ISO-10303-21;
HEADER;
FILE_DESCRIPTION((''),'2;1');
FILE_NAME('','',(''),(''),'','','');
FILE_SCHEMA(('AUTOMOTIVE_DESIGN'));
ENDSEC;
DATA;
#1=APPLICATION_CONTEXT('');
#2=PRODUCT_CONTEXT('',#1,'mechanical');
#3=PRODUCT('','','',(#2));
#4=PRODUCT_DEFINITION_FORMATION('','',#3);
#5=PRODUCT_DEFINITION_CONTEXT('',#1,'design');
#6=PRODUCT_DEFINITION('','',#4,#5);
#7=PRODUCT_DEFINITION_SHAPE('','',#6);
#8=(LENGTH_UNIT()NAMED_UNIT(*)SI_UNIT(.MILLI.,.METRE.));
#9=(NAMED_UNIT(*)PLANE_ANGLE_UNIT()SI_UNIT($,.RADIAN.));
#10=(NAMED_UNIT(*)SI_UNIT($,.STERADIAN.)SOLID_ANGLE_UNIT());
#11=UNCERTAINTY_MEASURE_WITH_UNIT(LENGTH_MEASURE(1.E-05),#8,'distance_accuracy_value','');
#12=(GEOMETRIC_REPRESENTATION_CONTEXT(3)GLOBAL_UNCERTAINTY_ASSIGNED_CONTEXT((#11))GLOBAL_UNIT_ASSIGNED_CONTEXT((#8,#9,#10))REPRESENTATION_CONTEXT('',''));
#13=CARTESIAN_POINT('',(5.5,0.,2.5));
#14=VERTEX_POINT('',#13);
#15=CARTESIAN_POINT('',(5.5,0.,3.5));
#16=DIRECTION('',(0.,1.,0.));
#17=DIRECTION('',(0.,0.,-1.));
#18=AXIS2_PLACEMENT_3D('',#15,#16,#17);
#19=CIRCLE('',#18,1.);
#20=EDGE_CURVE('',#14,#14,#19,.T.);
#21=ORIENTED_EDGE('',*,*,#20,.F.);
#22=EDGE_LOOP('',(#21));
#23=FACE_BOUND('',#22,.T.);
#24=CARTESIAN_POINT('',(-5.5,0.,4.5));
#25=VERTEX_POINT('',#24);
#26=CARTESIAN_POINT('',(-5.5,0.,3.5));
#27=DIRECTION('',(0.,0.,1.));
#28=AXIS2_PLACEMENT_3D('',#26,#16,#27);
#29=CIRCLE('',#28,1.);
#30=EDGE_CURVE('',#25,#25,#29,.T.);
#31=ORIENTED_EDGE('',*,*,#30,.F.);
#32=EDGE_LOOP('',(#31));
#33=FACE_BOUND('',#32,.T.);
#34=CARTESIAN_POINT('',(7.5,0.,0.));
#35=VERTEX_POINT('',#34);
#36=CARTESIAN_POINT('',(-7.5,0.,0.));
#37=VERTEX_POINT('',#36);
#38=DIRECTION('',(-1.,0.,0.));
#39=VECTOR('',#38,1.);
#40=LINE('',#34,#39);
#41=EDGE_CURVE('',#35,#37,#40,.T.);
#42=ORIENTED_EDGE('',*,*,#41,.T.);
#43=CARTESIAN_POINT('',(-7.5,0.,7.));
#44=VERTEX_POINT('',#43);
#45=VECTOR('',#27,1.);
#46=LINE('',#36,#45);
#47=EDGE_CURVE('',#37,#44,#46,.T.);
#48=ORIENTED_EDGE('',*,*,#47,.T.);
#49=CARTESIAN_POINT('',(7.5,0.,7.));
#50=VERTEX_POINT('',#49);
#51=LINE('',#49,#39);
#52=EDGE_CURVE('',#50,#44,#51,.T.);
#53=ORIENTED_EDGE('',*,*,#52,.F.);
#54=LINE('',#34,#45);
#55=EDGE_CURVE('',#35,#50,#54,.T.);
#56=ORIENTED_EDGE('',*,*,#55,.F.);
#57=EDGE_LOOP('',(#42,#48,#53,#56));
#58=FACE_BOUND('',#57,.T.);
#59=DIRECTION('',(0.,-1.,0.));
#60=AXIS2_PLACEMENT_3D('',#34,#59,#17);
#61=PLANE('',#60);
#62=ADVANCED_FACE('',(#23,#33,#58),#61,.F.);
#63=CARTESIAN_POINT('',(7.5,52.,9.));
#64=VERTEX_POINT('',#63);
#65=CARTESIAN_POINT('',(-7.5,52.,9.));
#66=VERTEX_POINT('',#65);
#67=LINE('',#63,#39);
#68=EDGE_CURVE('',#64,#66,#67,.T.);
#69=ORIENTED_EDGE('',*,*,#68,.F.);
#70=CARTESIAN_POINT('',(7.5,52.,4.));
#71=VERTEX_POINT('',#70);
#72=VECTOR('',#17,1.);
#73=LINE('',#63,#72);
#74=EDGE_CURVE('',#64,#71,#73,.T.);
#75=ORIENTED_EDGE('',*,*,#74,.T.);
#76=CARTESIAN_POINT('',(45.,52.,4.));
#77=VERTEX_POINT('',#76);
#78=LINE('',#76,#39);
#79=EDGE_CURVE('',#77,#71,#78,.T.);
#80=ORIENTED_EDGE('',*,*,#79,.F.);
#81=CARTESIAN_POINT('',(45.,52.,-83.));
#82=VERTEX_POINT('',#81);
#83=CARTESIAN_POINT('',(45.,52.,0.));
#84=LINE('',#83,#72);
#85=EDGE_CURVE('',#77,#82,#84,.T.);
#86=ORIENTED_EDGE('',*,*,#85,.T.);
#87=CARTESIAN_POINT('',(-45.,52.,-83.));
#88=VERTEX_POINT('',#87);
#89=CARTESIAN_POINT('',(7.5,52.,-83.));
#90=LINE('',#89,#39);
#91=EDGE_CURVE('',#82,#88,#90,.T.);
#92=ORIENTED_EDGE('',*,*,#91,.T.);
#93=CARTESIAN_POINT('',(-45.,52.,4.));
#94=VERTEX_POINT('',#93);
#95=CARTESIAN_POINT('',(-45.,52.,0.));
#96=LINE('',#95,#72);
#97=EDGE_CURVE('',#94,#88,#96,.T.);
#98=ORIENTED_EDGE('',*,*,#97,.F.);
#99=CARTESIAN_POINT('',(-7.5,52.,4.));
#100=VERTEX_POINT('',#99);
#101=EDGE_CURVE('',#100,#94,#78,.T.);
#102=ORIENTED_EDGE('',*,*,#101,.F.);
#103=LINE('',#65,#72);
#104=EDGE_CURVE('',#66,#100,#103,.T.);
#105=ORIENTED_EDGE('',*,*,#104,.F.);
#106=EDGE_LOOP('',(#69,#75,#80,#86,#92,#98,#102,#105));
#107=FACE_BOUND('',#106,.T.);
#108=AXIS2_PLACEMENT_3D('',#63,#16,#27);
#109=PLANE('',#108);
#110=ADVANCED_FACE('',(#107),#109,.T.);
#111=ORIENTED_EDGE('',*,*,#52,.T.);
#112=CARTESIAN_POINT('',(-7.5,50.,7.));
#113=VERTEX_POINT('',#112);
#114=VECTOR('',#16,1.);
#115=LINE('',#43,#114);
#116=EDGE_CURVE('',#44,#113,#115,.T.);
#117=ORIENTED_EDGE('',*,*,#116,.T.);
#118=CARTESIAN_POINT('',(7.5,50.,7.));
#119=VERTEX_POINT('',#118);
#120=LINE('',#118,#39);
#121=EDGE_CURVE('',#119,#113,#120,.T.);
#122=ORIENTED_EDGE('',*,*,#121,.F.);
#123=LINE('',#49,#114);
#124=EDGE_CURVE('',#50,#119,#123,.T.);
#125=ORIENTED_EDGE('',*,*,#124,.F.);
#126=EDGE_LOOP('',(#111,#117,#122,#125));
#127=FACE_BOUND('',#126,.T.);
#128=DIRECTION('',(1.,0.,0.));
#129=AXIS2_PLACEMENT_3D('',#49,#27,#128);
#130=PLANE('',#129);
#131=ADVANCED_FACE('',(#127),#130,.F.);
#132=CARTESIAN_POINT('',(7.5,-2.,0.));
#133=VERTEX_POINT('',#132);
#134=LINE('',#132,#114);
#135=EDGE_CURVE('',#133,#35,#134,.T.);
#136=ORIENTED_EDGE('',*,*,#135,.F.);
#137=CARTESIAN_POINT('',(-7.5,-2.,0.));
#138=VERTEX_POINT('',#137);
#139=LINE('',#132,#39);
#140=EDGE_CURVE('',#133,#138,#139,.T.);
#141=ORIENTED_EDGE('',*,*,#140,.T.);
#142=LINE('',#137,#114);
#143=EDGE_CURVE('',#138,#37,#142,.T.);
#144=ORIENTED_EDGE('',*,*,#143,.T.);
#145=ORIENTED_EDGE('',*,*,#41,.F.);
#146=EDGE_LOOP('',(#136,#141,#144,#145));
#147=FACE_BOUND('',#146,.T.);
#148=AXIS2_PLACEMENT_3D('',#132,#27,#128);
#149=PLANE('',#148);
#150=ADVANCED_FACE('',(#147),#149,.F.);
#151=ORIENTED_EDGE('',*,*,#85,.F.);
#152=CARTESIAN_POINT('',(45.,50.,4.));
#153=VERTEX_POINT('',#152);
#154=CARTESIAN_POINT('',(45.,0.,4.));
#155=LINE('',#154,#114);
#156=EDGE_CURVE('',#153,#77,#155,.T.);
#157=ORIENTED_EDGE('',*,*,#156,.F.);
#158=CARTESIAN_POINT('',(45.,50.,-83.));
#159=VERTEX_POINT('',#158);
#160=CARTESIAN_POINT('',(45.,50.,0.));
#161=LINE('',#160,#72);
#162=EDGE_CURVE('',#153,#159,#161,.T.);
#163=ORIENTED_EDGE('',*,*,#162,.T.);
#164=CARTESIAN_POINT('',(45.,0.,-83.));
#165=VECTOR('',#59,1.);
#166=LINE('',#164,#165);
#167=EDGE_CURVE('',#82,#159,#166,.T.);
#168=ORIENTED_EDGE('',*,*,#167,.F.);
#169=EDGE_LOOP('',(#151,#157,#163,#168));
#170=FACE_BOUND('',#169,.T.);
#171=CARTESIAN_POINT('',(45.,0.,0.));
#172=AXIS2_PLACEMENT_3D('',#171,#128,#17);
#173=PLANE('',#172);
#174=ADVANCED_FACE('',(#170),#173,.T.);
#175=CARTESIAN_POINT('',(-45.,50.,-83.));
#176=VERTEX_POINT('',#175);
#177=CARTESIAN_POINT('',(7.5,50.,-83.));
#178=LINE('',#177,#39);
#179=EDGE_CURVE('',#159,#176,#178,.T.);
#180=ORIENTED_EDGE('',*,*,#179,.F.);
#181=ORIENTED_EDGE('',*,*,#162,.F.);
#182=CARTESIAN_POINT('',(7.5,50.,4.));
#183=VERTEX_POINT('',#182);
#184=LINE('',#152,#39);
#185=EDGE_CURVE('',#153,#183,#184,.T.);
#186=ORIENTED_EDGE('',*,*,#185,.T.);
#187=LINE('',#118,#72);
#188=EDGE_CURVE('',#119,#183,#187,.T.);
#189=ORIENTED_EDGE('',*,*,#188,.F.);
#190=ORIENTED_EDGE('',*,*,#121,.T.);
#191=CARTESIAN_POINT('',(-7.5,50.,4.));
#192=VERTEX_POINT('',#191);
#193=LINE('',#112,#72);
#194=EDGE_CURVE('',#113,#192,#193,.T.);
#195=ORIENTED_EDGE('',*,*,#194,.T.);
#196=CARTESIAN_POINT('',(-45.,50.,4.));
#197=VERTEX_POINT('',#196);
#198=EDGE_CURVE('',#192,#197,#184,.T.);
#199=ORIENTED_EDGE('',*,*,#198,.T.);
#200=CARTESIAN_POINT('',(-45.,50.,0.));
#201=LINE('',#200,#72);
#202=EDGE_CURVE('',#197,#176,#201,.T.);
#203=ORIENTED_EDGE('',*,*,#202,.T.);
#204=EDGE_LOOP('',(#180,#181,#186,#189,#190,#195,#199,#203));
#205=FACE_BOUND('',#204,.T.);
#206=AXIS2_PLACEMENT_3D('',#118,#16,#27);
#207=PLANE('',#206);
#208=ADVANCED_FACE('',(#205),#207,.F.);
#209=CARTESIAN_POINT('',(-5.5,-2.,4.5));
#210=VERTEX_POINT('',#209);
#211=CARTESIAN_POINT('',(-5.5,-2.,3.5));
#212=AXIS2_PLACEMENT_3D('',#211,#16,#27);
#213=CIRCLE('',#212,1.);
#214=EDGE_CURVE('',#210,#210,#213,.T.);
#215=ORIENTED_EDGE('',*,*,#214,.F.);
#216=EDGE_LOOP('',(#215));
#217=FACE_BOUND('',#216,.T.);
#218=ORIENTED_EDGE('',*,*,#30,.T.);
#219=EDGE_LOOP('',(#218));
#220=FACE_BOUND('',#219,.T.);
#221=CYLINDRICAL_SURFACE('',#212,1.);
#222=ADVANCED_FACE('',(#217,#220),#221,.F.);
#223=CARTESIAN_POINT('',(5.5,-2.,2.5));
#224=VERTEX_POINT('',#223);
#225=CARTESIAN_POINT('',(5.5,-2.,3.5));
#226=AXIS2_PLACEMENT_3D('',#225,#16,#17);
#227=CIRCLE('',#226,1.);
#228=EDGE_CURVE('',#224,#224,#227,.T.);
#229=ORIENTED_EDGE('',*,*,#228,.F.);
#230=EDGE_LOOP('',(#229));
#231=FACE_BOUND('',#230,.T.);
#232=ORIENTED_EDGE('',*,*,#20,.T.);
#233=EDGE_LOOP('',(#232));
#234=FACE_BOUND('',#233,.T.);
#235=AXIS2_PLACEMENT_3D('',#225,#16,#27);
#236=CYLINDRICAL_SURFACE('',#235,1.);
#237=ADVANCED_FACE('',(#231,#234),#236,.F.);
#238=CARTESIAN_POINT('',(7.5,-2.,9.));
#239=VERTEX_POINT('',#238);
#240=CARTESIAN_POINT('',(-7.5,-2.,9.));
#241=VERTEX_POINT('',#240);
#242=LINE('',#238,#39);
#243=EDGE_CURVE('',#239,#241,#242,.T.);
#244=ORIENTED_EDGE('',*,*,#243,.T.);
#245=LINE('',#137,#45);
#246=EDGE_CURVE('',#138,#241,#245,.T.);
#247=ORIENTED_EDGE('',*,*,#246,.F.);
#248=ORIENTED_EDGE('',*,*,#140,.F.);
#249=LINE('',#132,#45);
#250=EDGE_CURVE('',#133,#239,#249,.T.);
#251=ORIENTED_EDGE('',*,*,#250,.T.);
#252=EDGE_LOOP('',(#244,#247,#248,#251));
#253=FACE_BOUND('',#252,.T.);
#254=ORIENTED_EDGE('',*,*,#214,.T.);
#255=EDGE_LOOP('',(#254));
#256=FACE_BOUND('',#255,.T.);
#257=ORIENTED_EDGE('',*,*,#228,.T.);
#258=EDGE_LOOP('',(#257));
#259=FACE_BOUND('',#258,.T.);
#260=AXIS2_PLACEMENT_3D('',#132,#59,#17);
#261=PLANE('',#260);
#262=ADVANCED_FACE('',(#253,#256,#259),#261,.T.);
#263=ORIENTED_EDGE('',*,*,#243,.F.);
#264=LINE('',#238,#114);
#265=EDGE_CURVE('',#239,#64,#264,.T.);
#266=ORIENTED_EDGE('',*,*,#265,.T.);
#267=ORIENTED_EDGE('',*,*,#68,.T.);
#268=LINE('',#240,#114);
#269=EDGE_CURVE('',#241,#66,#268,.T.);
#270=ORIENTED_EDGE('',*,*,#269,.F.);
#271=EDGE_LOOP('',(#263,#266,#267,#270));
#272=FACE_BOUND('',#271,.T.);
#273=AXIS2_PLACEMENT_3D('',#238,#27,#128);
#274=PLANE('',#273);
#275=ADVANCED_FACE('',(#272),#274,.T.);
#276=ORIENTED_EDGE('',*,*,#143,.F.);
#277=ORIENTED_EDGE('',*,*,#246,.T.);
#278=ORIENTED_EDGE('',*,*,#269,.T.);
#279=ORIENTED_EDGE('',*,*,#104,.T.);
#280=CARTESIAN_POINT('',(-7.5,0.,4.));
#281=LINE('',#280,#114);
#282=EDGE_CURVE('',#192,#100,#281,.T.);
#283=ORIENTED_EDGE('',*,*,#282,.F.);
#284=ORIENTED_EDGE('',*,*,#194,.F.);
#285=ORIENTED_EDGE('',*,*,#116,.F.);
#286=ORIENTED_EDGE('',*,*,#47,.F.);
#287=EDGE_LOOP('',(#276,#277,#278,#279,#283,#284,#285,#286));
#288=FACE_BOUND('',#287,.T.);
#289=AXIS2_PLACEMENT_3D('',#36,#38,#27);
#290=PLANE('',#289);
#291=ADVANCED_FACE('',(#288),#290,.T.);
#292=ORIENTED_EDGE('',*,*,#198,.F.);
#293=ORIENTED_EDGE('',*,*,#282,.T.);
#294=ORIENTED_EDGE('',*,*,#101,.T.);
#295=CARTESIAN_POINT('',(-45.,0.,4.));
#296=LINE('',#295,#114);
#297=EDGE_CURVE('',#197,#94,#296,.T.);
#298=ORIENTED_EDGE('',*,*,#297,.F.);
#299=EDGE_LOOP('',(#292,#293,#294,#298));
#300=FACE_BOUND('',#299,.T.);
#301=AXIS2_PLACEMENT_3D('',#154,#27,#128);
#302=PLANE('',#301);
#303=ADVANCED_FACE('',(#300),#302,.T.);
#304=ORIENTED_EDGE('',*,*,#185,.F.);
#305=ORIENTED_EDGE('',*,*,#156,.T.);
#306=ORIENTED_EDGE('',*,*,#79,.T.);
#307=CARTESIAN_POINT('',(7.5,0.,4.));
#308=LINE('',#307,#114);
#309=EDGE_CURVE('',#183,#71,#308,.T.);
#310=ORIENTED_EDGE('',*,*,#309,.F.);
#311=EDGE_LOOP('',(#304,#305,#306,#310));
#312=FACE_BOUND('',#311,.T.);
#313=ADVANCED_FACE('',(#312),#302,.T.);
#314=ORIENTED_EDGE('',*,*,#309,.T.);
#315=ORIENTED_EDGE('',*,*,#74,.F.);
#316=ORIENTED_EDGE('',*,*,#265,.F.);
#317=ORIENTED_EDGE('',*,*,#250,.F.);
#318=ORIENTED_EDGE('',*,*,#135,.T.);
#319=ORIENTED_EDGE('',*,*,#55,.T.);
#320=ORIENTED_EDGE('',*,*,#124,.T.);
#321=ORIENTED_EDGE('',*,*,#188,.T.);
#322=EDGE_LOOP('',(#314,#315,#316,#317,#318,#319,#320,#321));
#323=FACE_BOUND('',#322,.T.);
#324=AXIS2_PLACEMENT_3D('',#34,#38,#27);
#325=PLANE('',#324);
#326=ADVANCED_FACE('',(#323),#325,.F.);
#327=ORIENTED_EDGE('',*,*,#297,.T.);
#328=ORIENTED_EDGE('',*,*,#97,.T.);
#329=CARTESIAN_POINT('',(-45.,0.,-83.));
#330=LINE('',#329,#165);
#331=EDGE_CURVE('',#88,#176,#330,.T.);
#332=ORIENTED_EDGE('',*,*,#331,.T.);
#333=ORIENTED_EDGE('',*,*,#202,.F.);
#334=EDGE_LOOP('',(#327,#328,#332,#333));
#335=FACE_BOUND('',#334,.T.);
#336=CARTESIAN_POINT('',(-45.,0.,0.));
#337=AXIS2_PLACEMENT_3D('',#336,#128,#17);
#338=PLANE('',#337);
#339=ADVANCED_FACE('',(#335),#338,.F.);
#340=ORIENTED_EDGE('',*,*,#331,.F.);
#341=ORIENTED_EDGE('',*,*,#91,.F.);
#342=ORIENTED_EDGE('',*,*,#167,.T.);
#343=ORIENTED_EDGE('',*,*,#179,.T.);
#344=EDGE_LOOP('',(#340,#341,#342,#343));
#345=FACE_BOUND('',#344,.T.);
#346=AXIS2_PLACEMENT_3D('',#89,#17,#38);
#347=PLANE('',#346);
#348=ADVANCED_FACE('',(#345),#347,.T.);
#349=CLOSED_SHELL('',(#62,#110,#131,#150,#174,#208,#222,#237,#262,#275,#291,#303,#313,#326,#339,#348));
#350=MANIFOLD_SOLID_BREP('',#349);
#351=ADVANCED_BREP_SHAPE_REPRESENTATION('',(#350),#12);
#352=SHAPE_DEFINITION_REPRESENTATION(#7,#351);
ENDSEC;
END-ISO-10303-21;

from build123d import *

# Parameters (mm, degrees)
BOSS_EXTRUDE1_DEPTH = 7.5
SKETCH1_4_W         = 87
SKETCH1_4_H         = 2
BOSS_EXTRUDE2_DEPTH = 45
SKETCH2_R           = 1
CUT_EXTRUDE1_DEPTH  = 108.786826653


with BuildPart() as part:
    # Sketch1 → Boss-Extrude1 (new, symmetric)
    with BuildSketch(Plane(origin=(0, 0, 0), x_dir=(0, 0, -1), z_dir=(1, 0, 0))):
        Polygon((0, 0), (-7, 0), (-7, 50), (83, 50), (83, 52), (-9, 52), (-9, -2), (0, -2), align=None)
    extrude(amount=BOSS_EXTRUDE1_DEPTH, both=True)

    # Sketch1<4> → Boss-Extrude2 (add, symmetric)
    with BuildSketch(Plane(origin=(0, 0, 0), x_dir=(0, 0, -1), z_dir=(1, 0, 0))):
        with Locations((39.5, 51)):
            Rectangle(SKETCH1_4_W, SKETCH1_4_H)
    extrude(amount=BOSS_EXTRUDE2_DEPTH, both=True)

    # Sketch2 → Cut-Extrude1 (cut, through all)
    with BuildSketch(Plane(origin=(0, 0, 0), x_dir=(1, 0, 0), z_dir=(0, 1, 0))):
        with Locations((-5.5, -3.5)):
            Circle(SKETCH2_R)
        with Locations((5.5, -3.5)):
            Circle(SKETCH2_R)
    extrude(amount=-CUT_EXTRUDE1_DEPTH, mode=Mode.SUBTRACT)


solid = part.part
